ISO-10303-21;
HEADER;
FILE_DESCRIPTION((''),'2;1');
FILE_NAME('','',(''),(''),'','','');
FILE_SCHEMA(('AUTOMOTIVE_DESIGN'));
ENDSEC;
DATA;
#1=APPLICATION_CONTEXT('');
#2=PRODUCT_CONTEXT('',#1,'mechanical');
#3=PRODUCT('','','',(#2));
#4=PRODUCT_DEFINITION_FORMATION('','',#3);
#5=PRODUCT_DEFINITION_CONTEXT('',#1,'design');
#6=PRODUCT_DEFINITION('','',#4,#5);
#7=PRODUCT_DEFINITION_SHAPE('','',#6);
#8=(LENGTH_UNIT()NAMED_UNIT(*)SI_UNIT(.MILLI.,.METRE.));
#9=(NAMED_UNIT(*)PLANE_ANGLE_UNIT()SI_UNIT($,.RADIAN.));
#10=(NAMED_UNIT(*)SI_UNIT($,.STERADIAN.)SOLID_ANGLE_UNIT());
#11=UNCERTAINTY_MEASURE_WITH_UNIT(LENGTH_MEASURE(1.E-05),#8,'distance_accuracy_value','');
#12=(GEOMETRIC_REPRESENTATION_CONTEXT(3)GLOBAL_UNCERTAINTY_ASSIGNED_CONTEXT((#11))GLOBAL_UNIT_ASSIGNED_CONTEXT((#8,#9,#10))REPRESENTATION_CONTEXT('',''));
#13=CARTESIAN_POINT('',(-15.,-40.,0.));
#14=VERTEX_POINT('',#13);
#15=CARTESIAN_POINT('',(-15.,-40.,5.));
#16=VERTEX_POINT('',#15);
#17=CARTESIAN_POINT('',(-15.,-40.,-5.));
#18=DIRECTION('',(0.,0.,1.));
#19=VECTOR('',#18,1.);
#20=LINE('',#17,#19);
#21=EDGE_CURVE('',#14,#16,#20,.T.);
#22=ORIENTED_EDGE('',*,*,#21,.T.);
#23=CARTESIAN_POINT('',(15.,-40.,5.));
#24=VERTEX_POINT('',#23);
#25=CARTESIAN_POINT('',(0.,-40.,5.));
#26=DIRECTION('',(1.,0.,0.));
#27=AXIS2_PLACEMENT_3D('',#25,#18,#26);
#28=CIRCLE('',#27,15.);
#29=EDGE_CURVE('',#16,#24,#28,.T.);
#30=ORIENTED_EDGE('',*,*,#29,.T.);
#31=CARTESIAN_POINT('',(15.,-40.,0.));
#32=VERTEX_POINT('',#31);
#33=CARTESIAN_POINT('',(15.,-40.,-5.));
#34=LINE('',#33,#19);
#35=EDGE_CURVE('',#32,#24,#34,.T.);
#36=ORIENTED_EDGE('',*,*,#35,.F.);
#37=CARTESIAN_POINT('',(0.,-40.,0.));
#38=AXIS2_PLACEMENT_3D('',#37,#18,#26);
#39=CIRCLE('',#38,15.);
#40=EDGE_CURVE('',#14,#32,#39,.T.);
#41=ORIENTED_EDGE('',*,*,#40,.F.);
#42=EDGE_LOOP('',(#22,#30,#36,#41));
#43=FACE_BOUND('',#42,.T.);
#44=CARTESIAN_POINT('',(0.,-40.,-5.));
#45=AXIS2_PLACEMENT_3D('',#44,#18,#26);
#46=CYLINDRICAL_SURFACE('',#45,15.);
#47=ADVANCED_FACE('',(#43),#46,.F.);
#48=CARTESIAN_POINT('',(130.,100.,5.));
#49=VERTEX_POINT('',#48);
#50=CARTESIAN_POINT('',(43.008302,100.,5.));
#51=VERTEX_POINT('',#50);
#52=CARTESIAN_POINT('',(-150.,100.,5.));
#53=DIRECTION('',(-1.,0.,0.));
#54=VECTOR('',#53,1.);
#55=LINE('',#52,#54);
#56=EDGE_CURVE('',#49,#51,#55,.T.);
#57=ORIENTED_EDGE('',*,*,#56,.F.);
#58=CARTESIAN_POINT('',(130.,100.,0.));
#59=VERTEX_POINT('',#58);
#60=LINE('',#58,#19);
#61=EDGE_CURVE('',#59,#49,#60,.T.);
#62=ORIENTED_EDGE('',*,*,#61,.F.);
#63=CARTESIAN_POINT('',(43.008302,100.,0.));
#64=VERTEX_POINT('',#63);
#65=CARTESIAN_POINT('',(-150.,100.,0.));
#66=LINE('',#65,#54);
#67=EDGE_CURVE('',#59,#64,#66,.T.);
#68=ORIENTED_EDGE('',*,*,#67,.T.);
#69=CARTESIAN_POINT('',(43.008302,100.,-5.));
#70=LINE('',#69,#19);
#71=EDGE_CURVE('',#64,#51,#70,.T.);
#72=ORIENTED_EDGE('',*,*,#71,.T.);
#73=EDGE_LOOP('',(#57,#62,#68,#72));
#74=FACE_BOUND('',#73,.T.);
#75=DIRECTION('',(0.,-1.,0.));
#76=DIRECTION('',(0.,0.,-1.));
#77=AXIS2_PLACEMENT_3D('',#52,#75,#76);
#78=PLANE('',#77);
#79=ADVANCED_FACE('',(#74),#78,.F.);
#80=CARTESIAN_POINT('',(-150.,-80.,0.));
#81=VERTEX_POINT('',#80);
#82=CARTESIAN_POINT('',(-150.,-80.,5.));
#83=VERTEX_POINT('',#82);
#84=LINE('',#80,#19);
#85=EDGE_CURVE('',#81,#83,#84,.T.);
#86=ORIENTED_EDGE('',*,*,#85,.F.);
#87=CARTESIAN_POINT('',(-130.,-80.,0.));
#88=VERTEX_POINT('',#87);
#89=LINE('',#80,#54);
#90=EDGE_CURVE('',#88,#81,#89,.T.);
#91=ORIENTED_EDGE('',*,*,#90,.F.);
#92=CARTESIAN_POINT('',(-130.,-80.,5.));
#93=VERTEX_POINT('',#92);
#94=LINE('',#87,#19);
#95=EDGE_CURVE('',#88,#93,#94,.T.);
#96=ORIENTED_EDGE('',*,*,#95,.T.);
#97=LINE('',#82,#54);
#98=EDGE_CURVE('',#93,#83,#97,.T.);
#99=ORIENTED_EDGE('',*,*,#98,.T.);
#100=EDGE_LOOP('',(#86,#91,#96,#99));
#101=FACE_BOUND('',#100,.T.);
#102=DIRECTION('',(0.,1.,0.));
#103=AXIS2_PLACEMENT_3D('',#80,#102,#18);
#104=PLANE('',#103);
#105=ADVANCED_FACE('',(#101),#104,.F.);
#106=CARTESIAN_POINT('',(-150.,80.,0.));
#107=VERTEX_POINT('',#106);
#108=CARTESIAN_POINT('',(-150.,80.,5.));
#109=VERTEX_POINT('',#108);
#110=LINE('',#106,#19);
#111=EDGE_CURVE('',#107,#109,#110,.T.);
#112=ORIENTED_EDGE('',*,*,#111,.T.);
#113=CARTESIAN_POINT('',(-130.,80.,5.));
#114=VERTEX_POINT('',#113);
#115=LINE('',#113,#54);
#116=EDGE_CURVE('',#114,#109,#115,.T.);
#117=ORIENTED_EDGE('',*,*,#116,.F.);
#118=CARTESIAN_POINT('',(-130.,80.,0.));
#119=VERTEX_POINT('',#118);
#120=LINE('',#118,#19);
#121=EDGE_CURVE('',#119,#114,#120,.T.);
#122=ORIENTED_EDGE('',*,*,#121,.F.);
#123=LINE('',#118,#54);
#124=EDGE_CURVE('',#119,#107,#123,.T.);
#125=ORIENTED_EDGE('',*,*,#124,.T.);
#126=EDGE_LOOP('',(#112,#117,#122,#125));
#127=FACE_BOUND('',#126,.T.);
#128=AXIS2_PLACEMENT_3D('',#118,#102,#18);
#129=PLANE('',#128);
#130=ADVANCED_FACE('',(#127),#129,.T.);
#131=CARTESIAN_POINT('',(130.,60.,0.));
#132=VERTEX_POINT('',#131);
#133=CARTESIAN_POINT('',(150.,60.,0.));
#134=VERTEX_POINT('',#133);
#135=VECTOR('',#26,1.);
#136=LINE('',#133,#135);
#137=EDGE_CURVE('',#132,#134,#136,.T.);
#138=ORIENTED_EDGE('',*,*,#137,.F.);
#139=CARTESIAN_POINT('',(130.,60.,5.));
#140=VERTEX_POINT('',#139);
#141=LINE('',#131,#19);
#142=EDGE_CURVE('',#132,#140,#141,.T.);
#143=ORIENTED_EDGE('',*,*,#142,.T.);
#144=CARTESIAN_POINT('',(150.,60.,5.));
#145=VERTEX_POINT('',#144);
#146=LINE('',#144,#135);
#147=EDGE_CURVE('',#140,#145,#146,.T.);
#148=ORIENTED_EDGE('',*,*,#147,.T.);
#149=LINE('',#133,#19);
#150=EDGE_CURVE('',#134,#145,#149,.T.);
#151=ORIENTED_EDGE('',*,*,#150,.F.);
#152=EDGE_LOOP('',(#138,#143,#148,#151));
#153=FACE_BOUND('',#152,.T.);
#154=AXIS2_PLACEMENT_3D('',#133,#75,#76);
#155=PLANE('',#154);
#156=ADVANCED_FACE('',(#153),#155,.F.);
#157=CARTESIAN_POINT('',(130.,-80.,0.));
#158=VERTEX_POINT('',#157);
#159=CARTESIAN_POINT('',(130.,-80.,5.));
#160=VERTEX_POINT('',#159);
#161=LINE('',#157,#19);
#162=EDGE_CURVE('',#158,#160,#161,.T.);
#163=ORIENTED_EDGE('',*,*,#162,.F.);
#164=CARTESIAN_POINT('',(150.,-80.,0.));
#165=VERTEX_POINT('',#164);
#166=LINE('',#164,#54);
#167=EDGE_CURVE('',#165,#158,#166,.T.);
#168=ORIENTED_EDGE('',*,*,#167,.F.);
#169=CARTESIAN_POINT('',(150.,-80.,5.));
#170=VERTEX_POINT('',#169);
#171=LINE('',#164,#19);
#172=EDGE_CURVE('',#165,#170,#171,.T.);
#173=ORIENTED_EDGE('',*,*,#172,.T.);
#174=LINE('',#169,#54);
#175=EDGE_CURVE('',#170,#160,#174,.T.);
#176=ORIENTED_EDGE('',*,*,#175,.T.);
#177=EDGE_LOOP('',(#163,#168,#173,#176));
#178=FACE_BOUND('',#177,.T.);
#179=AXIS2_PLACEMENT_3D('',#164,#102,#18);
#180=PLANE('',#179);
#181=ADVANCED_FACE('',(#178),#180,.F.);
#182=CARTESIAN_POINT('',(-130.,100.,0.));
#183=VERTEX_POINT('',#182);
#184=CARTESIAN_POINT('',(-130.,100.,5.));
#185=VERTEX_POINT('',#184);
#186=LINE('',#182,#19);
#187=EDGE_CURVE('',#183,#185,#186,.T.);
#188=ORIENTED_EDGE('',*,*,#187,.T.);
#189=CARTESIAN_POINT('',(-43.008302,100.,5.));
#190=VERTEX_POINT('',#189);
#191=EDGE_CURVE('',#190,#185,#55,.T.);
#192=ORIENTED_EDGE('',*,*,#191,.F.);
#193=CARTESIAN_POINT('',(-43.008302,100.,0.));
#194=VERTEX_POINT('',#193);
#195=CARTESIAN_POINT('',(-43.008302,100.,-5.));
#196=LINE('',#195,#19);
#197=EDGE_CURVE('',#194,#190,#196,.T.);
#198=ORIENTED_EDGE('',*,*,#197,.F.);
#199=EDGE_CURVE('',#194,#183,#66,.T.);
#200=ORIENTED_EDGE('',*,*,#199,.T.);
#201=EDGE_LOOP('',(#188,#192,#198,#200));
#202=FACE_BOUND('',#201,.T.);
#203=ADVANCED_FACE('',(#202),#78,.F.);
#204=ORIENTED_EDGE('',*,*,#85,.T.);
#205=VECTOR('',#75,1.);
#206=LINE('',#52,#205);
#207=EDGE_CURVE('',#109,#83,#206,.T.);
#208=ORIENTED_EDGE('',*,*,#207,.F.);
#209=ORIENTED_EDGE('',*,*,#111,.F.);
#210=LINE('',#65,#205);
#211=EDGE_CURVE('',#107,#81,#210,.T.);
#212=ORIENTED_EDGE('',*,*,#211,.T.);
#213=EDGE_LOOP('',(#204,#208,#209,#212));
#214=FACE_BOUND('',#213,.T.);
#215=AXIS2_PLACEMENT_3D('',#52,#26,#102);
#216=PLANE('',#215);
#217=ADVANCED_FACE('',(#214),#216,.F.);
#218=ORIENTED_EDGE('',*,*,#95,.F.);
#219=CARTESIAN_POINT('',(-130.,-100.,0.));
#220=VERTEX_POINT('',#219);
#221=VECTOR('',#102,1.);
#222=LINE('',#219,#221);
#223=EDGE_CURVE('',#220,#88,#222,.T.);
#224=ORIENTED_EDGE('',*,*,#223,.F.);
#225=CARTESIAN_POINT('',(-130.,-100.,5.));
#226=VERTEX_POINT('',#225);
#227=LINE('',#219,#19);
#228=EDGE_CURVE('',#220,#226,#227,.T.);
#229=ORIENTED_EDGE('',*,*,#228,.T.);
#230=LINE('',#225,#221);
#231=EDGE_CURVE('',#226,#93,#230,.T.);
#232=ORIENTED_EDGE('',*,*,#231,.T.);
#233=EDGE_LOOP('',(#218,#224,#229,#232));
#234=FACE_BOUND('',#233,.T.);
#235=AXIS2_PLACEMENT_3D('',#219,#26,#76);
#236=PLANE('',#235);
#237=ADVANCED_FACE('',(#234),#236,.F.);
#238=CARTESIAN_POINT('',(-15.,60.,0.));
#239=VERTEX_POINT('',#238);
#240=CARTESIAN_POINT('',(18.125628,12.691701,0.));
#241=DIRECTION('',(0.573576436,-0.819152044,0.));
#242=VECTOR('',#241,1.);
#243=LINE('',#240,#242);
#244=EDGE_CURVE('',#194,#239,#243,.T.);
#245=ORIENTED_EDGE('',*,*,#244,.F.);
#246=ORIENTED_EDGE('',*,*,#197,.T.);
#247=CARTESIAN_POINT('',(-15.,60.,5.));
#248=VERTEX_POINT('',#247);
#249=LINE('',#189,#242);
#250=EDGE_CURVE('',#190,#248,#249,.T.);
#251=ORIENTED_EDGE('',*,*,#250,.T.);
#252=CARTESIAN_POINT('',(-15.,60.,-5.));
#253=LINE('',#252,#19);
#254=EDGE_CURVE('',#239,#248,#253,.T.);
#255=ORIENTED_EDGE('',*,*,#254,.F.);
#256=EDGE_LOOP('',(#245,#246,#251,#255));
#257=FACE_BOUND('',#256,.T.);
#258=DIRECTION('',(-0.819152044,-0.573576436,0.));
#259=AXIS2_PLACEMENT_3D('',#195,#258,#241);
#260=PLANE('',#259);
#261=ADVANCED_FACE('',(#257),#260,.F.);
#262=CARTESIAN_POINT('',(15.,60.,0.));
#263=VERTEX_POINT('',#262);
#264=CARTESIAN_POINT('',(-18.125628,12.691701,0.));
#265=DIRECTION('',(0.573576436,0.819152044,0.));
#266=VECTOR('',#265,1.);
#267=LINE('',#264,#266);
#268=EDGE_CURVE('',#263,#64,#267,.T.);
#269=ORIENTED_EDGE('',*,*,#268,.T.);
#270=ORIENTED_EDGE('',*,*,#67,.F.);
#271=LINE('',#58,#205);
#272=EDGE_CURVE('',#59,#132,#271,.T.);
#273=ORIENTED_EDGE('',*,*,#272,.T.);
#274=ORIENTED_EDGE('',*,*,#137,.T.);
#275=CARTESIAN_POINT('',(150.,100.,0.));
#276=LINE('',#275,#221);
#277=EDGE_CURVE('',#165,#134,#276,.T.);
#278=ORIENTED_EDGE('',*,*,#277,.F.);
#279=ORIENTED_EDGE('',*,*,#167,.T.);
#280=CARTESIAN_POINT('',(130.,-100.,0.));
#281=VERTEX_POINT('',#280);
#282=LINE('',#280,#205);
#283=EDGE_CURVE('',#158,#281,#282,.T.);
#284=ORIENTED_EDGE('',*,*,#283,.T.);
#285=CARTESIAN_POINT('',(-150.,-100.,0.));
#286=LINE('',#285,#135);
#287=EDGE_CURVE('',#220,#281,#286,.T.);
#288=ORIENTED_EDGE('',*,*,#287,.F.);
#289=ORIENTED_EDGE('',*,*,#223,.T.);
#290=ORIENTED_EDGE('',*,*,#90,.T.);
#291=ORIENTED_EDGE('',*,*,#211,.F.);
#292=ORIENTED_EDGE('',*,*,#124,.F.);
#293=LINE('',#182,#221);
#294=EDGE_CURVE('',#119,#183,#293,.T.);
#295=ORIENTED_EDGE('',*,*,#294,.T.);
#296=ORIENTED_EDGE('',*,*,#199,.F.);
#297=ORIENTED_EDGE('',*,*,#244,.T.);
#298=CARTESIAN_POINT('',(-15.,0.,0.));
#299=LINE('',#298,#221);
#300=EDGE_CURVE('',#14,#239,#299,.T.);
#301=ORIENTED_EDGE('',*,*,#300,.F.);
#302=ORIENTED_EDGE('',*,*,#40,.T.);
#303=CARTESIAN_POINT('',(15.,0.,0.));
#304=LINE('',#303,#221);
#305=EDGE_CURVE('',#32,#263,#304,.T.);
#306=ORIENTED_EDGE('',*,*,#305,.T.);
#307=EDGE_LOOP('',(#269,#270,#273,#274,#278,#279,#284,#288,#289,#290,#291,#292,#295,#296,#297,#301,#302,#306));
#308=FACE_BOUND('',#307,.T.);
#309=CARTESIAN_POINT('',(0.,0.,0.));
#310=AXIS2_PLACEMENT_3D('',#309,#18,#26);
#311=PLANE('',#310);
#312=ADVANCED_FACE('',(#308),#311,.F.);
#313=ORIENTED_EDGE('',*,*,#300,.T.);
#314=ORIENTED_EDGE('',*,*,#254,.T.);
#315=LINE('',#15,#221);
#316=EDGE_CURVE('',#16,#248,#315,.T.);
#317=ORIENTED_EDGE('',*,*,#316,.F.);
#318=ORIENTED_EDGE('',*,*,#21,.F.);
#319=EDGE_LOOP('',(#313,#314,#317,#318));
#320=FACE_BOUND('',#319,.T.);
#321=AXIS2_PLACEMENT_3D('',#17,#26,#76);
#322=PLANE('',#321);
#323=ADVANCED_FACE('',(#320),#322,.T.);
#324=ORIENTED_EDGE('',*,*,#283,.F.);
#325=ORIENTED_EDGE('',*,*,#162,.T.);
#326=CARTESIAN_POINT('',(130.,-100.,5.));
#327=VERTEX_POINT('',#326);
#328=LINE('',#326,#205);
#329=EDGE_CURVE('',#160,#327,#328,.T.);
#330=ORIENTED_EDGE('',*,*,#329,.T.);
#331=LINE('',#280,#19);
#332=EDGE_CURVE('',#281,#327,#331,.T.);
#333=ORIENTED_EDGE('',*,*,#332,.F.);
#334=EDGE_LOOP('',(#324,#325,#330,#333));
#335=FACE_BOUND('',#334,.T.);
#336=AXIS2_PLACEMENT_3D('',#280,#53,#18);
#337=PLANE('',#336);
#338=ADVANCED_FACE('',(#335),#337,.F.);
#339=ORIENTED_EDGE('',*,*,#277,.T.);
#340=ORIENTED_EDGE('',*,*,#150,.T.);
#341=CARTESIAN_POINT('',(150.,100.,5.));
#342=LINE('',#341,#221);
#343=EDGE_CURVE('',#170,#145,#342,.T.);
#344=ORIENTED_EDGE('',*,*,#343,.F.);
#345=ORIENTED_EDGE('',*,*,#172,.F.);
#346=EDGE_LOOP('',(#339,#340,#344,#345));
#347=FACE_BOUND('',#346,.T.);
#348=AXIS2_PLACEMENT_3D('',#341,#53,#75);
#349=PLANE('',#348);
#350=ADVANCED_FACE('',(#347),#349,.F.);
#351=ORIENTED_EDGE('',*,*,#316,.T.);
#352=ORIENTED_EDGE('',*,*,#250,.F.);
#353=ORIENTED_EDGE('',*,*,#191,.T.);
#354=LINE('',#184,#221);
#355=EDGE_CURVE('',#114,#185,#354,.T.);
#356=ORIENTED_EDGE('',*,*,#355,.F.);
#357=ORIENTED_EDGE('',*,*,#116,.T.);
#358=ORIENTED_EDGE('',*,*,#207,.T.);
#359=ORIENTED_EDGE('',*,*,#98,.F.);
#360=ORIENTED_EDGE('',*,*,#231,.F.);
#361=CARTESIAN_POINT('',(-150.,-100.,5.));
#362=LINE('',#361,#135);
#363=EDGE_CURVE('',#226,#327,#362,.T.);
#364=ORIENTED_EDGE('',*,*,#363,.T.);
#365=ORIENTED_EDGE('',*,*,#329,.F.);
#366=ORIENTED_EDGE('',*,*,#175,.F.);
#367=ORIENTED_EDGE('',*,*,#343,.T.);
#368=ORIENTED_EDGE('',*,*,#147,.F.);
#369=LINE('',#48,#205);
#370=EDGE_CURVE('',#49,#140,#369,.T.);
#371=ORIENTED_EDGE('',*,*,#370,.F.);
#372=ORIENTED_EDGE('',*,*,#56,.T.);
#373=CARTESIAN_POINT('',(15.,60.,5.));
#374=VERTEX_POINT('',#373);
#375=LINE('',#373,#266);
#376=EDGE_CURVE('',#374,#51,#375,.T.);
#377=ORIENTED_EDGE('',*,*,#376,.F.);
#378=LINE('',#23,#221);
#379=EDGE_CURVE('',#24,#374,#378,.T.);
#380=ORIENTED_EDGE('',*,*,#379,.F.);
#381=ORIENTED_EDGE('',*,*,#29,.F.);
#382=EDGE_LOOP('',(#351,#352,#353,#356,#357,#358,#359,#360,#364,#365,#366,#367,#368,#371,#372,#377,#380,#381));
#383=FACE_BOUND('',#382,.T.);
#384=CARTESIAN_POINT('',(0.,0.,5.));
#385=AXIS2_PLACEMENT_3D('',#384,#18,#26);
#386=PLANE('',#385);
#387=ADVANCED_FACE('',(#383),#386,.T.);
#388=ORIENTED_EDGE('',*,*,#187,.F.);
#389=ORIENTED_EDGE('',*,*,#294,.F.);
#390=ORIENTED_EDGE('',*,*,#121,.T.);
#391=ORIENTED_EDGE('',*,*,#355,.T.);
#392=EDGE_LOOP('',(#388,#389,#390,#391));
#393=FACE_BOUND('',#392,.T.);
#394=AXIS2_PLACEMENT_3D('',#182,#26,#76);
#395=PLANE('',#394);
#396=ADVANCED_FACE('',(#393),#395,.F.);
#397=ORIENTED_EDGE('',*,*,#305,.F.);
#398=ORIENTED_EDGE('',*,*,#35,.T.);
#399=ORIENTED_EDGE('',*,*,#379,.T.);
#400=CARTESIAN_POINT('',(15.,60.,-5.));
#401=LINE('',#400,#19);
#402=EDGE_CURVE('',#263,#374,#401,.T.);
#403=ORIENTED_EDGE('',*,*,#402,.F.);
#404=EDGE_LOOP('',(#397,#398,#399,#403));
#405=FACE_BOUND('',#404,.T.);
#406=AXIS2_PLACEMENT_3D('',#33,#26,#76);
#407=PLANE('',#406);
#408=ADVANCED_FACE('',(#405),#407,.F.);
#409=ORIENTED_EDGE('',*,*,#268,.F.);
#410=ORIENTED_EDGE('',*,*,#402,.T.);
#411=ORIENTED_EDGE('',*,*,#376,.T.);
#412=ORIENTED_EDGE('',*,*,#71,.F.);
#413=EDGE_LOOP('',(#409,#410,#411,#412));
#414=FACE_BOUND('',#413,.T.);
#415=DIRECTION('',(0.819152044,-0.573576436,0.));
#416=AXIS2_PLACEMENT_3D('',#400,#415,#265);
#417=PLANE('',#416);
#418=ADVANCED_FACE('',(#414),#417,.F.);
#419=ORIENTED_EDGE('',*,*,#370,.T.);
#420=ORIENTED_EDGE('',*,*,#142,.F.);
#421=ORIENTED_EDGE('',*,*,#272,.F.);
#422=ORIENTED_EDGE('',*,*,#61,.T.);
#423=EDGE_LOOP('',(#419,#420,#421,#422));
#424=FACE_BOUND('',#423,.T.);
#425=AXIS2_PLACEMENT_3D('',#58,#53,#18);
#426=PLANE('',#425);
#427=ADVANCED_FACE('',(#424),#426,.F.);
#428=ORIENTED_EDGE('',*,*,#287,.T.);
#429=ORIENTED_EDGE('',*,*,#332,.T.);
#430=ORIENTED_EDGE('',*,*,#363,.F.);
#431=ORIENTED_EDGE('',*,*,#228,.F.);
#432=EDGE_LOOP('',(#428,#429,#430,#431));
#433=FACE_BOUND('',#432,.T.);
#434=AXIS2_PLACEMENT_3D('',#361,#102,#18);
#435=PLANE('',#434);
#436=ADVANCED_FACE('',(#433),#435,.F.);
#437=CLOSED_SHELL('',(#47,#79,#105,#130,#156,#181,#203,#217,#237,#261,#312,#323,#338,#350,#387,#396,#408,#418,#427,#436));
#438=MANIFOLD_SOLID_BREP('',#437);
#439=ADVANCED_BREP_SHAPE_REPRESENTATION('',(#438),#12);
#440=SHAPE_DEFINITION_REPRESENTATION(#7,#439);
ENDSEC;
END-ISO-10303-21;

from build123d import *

# Parameters (mm, degrees)
SKETCH1_W           = 300
SKETCH1_H           = 200
BOSS_EXTRUDE1_DEPTH = 5
SKETCH3_W           = 20
SKETCH3_H           = 20
SKETCH3_H_2         = 40
CUT_EXTRUDE1_DEPTH  = 5
CUT_EXTRUDE2_DEPTH  = 10
SKETCH5_W           = 20
SKETCH5_H           = 20
BOSS_EXTRUDE2_DEPTH = 5


with BuildPart() as part:
    # Sketch1 → Boss-Extrude1 (new body)
    with BuildSketch(Plane.XY):
        Rectangle(SKETCH1_W, SKETCH1_H)
    extrude(amount=BOSS_EXTRUDE1_DEPTH)

    # Sketch3 → Cut-Extrude1 (cut)
    with BuildSketch(Plane.XY.offset(5)):
        with Locations((-140, -90)):
            Rectangle(SKETCH3_W, SKETCH3_H)
        with Locations((-140, 80)):
            Rectangle(SKETCH3_W, SKETCH3_H_2)
        with Locations((140, 80)):
            Rectangle(SKETCH3_W, SKETCH3_H_2)
        with Locations((140, -90)):
            Rectangle(SKETCH3_W, SKETCH3_H)
    extrude(amount=-CUT_EXTRUDE1_DEPTH, mode=Mode.SUBTRACT)

    # Sketch4 → Cut-Extrude2 (cut)
    with BuildSketch(Plane.XY.offset(5)):
        with BuildLine():
            Line((-15, -40), (-15, 60))
            Line((-15, 60), (-43.008301528, 100))
            Line((-43.008301528, 100), (43.008301528, 100))
            Line((43.008301528, 100), (15, 60))
            Line((15, 60), (15, -40))
            ThreePointArc((15, -40), (0, -55), (-15, -40))
        make_face()
    extrude(amount=-CUT_EXTRUDE2_DEPTH, mode=Mode.SUBTRACT)

    # Sketch5 → Boss-Extrude2 (add)
    with BuildSketch(Plane.XY.offset(5)):
        with Locations((-140, 70)):
            Rectangle(SKETCH5_W, SKETCH5_H)
    extrude(amount=-BOSS_EXTRUDE2_DEPTH)


solid = part.part
